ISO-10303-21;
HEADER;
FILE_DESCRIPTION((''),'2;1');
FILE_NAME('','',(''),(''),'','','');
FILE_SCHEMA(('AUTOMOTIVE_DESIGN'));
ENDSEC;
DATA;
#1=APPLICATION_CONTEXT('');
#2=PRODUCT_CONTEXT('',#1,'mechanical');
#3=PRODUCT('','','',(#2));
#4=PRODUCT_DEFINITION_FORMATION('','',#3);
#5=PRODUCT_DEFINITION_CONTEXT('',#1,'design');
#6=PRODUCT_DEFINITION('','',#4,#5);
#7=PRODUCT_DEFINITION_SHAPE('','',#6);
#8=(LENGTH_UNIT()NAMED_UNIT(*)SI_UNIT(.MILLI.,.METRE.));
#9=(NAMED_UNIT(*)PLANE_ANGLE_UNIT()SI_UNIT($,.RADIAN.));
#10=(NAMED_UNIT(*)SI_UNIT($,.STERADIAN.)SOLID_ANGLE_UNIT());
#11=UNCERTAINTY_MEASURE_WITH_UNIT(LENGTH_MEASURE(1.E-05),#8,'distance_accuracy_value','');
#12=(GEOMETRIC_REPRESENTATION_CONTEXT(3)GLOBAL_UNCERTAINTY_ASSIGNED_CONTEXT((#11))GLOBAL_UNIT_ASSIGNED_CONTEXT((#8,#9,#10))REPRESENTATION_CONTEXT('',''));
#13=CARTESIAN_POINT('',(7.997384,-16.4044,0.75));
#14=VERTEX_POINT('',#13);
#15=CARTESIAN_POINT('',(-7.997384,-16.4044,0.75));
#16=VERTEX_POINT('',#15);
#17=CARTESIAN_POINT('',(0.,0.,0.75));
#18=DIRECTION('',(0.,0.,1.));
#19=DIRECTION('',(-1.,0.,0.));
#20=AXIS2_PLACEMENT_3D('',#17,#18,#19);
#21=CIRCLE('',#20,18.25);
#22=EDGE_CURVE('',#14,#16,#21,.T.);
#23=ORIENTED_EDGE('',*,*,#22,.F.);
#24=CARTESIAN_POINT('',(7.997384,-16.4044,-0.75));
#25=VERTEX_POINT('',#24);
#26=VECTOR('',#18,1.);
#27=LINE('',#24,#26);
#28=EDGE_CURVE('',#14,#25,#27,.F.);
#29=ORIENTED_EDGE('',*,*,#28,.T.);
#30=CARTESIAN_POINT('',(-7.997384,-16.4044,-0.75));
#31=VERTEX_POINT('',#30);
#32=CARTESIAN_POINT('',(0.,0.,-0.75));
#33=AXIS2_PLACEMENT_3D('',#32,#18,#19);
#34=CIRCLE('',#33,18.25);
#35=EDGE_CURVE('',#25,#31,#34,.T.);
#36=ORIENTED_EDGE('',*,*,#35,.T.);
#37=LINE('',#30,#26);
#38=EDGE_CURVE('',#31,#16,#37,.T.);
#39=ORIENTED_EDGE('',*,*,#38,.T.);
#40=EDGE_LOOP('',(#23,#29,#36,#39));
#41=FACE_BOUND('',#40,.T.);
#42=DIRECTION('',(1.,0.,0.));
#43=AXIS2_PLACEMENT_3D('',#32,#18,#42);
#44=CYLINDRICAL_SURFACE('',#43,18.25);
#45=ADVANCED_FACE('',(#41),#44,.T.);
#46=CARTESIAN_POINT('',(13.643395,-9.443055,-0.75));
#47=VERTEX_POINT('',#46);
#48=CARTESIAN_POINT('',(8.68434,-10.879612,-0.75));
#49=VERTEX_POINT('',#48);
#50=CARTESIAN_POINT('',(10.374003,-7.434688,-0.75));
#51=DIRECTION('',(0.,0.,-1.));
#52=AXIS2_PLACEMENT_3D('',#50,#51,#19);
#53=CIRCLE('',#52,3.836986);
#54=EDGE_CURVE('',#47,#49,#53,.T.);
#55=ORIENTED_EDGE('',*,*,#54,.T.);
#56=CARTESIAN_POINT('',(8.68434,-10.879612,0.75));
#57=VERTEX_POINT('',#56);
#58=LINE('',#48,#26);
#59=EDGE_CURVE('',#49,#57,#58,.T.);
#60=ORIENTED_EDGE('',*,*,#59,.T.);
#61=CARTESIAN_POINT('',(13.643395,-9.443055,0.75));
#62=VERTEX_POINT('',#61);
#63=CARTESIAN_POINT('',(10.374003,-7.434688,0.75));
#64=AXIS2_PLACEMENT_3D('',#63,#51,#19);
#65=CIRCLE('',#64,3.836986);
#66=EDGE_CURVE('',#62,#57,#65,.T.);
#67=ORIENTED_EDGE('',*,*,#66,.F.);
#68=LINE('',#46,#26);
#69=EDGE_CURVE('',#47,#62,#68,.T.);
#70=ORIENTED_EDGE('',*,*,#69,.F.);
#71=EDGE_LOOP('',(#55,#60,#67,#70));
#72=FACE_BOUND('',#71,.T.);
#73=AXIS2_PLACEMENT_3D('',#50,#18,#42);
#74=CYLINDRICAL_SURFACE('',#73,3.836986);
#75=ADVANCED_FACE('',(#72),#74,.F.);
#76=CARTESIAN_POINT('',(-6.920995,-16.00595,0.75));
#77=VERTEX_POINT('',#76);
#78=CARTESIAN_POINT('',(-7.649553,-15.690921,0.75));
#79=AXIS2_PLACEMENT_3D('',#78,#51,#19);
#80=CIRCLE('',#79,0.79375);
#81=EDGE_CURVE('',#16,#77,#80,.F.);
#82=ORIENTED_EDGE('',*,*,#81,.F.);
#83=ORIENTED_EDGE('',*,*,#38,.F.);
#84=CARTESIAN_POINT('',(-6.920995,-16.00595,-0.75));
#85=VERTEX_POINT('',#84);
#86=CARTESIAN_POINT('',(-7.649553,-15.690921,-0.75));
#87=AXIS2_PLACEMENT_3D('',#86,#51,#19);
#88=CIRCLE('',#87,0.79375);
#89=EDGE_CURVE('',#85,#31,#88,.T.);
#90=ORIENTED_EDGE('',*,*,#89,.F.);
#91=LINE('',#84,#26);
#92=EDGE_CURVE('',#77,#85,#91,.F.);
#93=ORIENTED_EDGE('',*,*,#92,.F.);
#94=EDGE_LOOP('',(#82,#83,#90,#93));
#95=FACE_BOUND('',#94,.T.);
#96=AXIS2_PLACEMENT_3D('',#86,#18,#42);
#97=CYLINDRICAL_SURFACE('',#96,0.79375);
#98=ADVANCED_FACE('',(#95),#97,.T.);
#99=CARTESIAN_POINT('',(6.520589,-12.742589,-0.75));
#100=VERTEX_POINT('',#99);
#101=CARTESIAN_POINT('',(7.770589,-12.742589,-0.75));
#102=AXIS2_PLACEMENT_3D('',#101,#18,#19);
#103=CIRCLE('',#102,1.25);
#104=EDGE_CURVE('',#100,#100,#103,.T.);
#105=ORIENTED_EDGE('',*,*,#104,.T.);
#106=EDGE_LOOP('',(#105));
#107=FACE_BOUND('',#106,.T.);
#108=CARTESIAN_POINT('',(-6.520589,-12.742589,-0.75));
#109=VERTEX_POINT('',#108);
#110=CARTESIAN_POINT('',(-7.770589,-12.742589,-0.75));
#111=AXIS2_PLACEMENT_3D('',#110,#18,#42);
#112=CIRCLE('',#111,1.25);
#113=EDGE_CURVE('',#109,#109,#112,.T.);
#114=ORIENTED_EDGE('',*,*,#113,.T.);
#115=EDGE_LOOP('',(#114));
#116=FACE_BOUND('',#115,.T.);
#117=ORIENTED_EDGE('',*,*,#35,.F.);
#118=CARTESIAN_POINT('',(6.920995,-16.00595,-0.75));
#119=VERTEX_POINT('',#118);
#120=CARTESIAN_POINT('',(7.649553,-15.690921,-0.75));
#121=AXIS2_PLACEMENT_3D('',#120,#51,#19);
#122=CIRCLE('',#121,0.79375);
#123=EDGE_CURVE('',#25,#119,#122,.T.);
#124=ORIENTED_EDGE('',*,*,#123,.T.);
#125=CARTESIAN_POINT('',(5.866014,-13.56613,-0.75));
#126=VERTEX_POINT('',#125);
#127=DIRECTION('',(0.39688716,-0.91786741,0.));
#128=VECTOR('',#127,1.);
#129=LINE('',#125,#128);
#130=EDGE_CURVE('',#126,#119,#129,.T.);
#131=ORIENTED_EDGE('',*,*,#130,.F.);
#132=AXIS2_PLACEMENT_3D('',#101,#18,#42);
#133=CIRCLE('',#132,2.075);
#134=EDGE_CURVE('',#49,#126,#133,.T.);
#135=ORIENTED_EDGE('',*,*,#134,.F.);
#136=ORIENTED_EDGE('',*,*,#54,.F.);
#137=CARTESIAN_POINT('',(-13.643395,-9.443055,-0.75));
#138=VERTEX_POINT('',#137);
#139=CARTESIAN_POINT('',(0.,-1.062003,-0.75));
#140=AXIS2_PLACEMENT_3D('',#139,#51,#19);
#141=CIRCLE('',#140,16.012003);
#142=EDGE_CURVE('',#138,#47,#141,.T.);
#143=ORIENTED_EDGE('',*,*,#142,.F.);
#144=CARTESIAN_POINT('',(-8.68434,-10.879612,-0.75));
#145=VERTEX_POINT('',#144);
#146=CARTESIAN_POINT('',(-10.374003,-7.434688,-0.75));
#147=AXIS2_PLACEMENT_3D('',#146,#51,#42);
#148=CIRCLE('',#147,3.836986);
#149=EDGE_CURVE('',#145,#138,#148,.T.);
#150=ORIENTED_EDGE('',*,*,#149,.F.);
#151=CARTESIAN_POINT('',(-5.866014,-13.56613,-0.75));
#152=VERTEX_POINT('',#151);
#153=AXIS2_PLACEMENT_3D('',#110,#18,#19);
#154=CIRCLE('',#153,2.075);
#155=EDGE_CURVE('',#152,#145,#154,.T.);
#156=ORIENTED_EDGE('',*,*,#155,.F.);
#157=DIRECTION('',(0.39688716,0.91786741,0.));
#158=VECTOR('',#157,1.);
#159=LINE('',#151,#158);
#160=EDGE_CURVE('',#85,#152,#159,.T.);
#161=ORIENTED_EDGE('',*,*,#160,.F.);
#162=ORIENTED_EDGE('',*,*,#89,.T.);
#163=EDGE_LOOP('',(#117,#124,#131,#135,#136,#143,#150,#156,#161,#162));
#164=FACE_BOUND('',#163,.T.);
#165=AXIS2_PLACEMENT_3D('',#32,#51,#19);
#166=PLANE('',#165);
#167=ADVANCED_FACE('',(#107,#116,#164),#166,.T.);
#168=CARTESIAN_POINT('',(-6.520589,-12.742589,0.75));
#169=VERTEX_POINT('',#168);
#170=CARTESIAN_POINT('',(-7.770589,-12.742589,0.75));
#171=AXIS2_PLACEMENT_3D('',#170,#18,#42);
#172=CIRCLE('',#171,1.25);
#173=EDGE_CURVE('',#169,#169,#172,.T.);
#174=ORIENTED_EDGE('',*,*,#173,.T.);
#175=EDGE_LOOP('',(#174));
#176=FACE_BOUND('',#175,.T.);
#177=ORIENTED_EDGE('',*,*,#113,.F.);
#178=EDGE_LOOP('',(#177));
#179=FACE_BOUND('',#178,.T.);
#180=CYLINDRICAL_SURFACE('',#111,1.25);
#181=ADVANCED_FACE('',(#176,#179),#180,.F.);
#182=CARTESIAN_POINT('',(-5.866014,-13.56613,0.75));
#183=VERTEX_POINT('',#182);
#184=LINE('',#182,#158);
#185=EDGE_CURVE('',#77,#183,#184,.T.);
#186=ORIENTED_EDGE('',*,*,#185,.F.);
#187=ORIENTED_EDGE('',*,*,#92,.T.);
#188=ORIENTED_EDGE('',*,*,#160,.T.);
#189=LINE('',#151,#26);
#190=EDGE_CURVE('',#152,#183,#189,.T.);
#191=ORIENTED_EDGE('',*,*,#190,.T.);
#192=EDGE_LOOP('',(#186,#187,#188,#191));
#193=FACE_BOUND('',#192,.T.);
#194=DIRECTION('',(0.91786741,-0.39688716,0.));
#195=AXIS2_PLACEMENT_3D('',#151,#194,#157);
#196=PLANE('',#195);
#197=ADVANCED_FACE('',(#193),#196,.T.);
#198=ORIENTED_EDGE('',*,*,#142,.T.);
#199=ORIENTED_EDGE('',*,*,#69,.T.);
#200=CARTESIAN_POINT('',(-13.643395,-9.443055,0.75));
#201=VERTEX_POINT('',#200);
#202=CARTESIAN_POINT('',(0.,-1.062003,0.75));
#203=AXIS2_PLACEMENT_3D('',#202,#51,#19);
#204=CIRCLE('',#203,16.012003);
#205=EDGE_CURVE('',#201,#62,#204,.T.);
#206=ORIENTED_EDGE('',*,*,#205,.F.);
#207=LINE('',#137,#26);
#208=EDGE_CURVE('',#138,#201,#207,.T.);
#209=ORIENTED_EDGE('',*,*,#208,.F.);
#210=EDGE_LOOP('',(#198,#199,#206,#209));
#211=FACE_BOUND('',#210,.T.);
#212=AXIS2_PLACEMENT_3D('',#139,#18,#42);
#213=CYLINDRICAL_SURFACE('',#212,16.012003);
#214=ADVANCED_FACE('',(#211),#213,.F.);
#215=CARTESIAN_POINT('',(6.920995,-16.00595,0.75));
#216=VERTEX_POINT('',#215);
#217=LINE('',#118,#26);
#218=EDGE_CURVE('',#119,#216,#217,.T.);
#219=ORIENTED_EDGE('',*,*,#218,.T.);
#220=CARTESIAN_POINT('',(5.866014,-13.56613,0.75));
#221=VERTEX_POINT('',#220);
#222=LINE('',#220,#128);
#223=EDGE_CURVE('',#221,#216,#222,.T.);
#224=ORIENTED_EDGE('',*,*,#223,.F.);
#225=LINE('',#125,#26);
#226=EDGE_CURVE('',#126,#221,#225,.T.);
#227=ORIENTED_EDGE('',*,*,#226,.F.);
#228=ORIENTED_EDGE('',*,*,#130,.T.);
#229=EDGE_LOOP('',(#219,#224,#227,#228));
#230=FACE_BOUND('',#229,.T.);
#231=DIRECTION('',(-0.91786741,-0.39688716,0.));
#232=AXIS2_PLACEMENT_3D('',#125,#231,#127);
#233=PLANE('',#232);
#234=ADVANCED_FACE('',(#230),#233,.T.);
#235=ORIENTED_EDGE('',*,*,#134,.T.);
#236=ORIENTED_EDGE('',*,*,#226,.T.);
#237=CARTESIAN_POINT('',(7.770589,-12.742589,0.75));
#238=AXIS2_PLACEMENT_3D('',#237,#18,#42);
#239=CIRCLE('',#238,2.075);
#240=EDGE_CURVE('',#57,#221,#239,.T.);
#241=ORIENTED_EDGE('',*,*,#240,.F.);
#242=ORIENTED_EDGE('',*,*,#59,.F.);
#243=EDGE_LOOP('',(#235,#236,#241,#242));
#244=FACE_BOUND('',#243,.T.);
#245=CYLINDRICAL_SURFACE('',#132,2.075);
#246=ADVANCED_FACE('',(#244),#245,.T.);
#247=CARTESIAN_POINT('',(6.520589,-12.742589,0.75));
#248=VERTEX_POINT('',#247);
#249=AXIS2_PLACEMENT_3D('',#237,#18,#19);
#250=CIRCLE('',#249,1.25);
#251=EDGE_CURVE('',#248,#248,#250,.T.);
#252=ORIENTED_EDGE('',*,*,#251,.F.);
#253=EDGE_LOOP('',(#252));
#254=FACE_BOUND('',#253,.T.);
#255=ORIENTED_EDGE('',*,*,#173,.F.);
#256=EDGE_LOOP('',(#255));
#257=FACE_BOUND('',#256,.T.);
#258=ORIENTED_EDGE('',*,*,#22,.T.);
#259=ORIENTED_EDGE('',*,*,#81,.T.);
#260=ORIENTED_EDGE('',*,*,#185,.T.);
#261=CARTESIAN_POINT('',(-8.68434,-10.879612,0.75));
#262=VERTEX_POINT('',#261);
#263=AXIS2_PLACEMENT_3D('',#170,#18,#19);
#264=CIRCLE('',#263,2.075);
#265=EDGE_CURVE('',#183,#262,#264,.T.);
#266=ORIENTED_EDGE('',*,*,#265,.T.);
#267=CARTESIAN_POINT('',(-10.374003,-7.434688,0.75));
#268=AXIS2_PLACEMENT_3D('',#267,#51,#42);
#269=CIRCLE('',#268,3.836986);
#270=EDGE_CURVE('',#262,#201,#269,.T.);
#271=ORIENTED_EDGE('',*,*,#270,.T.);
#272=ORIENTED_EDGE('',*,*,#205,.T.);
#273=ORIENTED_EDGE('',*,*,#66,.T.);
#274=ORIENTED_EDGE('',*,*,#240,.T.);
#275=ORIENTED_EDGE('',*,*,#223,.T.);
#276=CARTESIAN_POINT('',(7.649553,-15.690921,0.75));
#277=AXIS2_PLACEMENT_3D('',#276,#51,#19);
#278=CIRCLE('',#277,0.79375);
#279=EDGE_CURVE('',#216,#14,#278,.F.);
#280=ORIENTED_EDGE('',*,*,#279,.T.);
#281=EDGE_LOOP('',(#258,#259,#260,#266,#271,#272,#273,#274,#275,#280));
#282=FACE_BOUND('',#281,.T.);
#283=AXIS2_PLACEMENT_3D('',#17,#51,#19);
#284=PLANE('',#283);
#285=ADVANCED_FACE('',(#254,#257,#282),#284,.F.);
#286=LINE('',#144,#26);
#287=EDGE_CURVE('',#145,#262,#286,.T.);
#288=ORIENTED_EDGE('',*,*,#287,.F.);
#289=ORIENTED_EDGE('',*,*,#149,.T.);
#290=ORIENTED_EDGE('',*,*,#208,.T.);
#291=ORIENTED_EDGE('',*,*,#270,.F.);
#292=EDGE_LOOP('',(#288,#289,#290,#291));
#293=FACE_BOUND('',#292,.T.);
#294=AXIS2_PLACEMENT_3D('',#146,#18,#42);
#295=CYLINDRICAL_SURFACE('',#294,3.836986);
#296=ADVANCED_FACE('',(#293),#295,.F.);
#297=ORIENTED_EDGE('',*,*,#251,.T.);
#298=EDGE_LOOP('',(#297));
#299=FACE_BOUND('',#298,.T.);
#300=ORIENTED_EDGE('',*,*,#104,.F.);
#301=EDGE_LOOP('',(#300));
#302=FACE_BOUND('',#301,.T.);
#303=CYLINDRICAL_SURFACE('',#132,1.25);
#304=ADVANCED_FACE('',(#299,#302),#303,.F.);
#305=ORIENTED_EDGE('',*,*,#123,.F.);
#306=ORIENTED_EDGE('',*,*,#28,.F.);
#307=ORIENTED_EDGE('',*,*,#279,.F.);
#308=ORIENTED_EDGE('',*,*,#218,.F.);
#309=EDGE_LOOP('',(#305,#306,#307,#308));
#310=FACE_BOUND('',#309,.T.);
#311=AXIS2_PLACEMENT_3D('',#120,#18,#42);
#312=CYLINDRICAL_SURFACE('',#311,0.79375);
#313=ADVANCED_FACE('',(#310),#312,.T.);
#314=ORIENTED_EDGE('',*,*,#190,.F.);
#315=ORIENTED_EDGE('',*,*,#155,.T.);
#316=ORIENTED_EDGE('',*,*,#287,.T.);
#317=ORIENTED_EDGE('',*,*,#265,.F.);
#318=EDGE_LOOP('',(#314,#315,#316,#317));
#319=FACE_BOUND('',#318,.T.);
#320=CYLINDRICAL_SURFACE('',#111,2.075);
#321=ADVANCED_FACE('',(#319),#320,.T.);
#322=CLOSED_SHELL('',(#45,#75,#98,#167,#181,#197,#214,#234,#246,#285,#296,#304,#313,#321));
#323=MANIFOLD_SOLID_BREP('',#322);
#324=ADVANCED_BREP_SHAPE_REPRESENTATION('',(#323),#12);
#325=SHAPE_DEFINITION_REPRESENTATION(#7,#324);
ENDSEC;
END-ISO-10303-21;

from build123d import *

# Parameters (mm, degrees)
SKETCH3_R                = 1.25
BOSS_EXTRUDE1_DEPTH      = 0.75
BOSS_EXTRUDE1_DEPTH_BACK = 0.75
FILLET1_R                = 0.79375


with BuildPart() as part:
    # Sketch3 → Boss-Extrude1 (new body, two sides)
    with BuildSketch(Plane.XY) as boss_extrude1_sk:
        with BuildLine():
            Line((-5.8660137, -13.566130003), (-7.243190661, -16.751080235))
            ThreePointArc((-7.243190661, -16.751080235), (0, 18.25), (7.243190661, -16.751080235))
            Line((7.243190661, -16.751080235), (5.8660137, -13.566130003))
            ThreePointArc((5.8660137, -13.566130003), (6.338884196, -11.240641223), (8.684339918, -10.879612098))
            ThreePointArc((8.684339918, -10.879612098), (11.441621609, -11.12015326), (13.643394773, -9.443055377))
            ThreePointArc((13.643394773, -9.443055377), (0, 14.95), (-13.643394773, -9.443055377))
            ThreePointArc((-13.643394773, -9.443055377), (-11.441621609, -11.12015326), (-8.684339918, -10.879612098))
            ThreePointArc((-8.684339918, -10.879612098), (-6.338884196, -11.240641223), (-5.8660137, -13.566130003))
        make_face()
        with Locations((-7.770588576, -12.742589147)):
            Circle(SKETCH3_R, mode=Mode.SUBTRACT)
        with Locations((7.770588576, -12.742589147)):
            Circle(SKETCH3_R, mode=Mode.SUBTRACT)
    extrude(amount=BOSS_EXTRUDE1_DEPTH)
    extrude(boss_extrude1_sk.sketch, amount=-BOSS_EXTRUDE1_DEPTH_BACK)

    # Fillet1
    fillet1_edges = [part.edges().sort_by_distance(p)[0] for p in [
        (7.243190661, -16.751080235, 0),
        (-7.243190661, -16.751080235, 0),
    ]]
    fillet(fillet1_edges, radius=FILLET1_R)


solid = part.part
